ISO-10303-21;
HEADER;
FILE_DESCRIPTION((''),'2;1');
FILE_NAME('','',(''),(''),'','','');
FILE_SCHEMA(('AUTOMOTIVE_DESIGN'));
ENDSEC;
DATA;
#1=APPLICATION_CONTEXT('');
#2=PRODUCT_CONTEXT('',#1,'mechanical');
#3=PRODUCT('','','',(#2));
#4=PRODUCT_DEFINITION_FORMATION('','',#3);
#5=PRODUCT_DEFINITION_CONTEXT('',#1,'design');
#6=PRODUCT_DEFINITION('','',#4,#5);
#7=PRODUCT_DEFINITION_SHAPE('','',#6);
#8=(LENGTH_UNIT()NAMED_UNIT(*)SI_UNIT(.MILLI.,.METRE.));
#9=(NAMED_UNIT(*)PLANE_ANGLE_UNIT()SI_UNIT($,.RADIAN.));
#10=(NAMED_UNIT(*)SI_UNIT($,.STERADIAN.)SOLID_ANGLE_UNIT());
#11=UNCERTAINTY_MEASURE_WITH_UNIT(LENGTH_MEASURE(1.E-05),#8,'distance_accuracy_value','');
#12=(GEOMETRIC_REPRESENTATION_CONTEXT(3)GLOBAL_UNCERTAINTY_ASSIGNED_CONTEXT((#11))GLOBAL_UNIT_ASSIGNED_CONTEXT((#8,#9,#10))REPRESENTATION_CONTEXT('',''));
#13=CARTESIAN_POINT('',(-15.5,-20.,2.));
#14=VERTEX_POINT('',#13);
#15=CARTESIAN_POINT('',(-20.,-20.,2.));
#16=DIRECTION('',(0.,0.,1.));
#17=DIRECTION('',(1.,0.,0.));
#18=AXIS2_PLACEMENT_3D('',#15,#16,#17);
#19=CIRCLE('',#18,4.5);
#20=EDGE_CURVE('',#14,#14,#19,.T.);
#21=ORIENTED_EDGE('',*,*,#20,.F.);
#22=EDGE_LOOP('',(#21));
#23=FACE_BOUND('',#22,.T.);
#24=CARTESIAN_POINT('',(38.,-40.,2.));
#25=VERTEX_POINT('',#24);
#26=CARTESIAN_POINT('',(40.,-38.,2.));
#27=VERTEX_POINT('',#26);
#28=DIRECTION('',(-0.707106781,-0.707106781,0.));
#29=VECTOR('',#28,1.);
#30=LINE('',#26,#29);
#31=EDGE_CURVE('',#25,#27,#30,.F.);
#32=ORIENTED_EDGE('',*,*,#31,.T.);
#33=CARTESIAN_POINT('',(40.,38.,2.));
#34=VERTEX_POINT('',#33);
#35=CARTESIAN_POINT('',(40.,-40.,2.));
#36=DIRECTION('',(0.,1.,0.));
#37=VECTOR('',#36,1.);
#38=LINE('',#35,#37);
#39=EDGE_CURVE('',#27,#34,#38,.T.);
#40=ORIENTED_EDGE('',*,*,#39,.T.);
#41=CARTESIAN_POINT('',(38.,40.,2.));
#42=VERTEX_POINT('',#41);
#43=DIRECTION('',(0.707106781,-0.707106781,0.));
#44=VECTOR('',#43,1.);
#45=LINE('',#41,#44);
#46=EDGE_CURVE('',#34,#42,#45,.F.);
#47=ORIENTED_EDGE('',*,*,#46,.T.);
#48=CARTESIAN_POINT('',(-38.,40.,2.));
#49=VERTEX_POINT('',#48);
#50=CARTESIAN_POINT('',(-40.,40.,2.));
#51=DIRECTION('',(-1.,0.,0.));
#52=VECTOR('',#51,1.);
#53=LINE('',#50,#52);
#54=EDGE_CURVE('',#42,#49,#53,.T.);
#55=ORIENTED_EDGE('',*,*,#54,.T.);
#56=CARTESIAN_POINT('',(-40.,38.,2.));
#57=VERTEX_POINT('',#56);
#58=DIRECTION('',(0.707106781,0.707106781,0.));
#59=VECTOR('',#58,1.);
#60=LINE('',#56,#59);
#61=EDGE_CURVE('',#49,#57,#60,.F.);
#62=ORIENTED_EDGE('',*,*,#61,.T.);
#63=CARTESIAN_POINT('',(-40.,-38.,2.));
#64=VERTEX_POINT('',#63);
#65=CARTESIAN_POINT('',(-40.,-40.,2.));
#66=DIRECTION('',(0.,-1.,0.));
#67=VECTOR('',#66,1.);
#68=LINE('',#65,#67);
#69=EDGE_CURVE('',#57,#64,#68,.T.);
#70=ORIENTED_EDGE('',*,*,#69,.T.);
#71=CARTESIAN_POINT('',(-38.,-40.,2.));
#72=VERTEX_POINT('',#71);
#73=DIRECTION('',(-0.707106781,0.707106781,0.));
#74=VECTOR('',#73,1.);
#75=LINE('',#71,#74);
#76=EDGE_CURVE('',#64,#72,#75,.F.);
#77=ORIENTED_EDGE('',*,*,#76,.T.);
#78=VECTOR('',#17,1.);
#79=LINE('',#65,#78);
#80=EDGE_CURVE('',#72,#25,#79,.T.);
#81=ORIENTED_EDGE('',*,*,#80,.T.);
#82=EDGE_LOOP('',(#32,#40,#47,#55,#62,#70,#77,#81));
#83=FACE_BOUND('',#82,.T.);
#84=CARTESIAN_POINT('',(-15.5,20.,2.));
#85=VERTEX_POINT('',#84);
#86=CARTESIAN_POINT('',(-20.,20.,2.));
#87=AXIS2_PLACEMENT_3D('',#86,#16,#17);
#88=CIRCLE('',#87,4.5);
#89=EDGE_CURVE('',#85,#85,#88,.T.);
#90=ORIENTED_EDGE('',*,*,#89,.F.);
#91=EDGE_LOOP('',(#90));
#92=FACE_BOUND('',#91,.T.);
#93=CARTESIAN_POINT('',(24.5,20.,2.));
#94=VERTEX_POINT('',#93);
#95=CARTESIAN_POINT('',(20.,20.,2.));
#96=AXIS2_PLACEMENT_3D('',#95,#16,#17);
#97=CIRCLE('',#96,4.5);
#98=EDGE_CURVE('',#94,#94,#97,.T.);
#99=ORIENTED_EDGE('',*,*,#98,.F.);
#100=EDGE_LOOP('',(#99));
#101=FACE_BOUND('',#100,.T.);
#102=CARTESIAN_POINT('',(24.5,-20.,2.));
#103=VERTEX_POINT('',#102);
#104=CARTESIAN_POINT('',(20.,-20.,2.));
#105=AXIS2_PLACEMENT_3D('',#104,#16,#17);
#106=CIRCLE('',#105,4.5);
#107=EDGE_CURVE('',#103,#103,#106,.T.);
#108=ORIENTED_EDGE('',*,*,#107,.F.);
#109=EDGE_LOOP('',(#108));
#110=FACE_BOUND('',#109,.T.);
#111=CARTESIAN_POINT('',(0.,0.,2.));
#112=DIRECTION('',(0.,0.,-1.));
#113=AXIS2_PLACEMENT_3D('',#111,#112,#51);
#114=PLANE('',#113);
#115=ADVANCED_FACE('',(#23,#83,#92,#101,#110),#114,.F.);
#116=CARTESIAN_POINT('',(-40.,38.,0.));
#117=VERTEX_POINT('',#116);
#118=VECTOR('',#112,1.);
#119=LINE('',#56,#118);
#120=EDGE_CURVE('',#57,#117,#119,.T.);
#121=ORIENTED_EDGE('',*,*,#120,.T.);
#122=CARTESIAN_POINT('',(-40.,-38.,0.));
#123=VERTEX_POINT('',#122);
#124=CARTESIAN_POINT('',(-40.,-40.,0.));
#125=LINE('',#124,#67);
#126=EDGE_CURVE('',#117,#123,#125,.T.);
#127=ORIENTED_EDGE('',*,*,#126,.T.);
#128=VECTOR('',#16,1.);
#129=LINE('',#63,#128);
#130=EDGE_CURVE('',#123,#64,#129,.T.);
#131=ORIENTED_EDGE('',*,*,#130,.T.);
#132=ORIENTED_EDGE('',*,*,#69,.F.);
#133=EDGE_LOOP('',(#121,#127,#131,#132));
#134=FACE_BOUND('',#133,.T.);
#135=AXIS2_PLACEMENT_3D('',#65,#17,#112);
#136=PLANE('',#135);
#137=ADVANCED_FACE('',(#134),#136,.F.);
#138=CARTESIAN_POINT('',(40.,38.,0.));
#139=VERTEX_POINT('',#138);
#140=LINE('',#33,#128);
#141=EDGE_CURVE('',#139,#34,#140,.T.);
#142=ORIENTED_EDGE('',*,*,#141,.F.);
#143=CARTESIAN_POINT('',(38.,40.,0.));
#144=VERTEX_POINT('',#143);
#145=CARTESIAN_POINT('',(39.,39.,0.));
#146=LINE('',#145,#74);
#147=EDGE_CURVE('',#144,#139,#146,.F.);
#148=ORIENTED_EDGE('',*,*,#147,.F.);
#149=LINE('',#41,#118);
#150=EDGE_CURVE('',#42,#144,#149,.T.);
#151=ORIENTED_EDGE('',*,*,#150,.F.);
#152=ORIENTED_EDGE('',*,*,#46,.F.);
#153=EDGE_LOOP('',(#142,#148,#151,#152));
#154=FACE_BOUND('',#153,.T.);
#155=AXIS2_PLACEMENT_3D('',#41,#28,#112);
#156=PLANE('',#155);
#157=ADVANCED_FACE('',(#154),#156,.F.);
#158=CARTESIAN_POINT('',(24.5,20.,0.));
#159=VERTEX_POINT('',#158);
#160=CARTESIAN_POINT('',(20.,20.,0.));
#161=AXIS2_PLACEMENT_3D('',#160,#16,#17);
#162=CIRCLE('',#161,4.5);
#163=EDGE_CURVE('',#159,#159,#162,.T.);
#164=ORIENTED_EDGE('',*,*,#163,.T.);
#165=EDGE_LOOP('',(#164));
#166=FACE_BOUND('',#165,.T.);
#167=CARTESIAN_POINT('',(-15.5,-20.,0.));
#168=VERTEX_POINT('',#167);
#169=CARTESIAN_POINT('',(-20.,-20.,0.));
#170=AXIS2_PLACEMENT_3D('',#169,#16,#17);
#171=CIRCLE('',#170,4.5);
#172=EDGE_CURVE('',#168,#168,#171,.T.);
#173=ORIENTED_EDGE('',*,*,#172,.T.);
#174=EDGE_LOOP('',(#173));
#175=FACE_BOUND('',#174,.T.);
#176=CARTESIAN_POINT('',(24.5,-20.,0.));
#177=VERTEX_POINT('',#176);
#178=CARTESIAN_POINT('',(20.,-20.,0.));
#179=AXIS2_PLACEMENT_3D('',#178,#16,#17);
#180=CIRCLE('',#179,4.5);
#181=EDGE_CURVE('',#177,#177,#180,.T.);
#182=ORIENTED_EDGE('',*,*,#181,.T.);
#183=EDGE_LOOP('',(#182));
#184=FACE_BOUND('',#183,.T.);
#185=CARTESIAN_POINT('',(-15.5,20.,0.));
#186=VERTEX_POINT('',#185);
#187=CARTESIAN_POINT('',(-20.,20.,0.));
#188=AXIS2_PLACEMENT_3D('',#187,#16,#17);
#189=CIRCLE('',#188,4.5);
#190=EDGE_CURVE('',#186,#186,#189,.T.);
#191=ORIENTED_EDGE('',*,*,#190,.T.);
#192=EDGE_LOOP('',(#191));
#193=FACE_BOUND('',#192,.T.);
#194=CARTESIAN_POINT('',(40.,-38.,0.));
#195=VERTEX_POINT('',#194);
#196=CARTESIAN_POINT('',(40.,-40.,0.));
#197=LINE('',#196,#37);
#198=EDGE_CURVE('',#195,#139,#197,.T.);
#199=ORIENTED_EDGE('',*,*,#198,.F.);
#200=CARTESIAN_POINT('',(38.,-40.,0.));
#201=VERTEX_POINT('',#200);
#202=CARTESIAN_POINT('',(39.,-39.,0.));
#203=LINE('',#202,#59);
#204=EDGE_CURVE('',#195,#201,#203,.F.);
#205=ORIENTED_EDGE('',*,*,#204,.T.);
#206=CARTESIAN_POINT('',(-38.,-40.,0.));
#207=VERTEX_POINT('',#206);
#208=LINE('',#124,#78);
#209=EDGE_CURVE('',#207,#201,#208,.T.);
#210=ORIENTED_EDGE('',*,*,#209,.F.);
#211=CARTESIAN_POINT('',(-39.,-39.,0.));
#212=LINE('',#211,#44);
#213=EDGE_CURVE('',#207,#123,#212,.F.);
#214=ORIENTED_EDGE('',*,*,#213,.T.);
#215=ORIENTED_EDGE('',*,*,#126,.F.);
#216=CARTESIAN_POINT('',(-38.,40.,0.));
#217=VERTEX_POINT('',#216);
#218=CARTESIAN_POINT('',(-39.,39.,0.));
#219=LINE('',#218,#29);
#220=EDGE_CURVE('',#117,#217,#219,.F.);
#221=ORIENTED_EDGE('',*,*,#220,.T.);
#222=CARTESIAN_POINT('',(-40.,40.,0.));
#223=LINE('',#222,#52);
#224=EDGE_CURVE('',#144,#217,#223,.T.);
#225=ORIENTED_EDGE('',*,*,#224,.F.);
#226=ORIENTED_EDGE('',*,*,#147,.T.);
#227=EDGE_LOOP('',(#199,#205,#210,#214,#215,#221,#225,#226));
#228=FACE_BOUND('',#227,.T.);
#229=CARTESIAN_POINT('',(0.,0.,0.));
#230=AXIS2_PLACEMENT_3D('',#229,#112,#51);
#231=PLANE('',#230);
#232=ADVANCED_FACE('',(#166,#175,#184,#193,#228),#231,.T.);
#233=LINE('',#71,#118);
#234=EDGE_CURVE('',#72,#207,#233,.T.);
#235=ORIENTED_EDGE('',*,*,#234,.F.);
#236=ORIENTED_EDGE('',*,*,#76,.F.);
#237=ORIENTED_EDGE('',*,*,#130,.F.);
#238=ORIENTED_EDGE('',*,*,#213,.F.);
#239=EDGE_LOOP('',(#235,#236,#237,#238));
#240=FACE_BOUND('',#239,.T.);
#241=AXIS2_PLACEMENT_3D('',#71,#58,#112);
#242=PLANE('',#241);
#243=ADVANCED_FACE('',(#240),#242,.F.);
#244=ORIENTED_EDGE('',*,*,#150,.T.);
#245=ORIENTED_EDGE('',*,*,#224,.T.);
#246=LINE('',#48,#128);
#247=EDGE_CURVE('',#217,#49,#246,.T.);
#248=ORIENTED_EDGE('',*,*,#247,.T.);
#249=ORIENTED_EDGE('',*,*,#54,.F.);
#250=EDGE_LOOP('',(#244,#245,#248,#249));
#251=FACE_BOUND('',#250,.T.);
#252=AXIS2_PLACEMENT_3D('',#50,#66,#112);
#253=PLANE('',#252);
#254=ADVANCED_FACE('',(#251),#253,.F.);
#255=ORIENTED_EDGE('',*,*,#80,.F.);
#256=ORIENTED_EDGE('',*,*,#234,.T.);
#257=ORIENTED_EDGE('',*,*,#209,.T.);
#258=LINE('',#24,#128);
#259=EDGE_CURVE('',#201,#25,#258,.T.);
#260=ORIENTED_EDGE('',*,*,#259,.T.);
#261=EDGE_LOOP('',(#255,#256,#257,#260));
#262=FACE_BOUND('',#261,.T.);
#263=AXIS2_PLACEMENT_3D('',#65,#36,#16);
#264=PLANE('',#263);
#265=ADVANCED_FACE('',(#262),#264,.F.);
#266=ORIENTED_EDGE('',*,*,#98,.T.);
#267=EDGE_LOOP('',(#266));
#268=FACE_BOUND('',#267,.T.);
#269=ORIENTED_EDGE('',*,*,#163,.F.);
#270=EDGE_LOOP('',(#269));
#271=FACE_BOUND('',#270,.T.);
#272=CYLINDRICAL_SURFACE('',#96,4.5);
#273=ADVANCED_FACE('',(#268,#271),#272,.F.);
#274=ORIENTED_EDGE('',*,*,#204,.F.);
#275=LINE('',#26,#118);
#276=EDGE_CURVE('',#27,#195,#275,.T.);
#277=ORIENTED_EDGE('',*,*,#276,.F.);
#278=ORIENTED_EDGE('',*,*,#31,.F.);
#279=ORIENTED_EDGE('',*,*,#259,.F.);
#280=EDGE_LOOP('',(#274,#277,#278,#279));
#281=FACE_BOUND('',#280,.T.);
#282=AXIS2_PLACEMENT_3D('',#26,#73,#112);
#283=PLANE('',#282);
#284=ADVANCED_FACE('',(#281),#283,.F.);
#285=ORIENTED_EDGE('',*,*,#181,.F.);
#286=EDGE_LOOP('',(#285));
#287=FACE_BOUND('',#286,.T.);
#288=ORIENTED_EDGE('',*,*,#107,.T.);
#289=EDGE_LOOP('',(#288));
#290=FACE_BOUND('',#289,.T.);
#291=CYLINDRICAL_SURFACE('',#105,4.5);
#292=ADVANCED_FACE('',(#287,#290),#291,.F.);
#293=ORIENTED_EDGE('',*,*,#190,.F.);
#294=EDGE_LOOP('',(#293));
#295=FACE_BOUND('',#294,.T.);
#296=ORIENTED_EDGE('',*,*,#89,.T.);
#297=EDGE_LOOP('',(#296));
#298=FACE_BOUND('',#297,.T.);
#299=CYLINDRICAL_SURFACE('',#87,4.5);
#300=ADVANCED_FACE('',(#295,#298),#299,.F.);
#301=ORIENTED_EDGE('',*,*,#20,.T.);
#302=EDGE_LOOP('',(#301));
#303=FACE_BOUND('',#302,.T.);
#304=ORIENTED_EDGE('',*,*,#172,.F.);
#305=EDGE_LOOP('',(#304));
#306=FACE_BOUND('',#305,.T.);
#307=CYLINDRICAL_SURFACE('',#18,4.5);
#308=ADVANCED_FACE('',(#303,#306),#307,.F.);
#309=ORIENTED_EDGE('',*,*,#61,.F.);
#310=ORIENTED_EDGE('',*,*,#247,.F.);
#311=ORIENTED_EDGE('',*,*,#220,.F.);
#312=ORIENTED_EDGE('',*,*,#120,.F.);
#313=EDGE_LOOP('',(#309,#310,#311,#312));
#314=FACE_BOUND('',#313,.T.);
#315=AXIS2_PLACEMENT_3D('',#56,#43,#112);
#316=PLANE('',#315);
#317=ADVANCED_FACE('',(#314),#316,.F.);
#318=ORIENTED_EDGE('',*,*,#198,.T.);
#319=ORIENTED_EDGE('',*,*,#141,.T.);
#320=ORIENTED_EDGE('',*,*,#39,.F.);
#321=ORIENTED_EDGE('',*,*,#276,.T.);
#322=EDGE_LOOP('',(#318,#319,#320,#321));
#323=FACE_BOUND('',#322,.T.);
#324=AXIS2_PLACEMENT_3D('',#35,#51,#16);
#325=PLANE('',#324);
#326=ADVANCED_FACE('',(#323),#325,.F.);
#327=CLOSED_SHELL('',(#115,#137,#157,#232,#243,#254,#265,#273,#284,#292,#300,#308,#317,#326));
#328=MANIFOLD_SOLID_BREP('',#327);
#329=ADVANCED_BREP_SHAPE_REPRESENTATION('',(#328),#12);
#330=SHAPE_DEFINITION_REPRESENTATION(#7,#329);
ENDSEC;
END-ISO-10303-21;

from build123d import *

# Parameters (mm, degrees)
SKETCH_1_W        = 80
SKETCH_1_H        = 80
EXTRUDE_1_DEPTH   = 2
CHAMFER_1_SIZE    = 2
HOLE_WIZARD_M81_D = 9


with BuildPart() as part:
    # Эскиз1 → Бобышка-Вытянуть1 (new body)
    with BuildSketch(Plane.XY):
        Rectangle(SKETCH_1_W, SKETCH_1_H)
    extrude(amount=EXTRUDE_1_DEPTH)

    # Фаска1
    chamfer_1_edges = [part.edges().sort_by_distance(p)[0] for p in [
        (40, -40, 1),
        (-40, -40, 1),
        (-40, 40, 1),
        (40, 40, 1),
    ]]
    chamfer(chamfer_1_edges, length=CHAMFER_1_SIZE)

    # Отверстие с зазором M81 (through all)
    with Locations(Plane.XY.offset(2)):
        with Locations((-20, 20), (20, 20), (-20, -20), (20, -20)):
            Hole(HOLE_WIZARD_M81_D / 2)


solid = part.part
